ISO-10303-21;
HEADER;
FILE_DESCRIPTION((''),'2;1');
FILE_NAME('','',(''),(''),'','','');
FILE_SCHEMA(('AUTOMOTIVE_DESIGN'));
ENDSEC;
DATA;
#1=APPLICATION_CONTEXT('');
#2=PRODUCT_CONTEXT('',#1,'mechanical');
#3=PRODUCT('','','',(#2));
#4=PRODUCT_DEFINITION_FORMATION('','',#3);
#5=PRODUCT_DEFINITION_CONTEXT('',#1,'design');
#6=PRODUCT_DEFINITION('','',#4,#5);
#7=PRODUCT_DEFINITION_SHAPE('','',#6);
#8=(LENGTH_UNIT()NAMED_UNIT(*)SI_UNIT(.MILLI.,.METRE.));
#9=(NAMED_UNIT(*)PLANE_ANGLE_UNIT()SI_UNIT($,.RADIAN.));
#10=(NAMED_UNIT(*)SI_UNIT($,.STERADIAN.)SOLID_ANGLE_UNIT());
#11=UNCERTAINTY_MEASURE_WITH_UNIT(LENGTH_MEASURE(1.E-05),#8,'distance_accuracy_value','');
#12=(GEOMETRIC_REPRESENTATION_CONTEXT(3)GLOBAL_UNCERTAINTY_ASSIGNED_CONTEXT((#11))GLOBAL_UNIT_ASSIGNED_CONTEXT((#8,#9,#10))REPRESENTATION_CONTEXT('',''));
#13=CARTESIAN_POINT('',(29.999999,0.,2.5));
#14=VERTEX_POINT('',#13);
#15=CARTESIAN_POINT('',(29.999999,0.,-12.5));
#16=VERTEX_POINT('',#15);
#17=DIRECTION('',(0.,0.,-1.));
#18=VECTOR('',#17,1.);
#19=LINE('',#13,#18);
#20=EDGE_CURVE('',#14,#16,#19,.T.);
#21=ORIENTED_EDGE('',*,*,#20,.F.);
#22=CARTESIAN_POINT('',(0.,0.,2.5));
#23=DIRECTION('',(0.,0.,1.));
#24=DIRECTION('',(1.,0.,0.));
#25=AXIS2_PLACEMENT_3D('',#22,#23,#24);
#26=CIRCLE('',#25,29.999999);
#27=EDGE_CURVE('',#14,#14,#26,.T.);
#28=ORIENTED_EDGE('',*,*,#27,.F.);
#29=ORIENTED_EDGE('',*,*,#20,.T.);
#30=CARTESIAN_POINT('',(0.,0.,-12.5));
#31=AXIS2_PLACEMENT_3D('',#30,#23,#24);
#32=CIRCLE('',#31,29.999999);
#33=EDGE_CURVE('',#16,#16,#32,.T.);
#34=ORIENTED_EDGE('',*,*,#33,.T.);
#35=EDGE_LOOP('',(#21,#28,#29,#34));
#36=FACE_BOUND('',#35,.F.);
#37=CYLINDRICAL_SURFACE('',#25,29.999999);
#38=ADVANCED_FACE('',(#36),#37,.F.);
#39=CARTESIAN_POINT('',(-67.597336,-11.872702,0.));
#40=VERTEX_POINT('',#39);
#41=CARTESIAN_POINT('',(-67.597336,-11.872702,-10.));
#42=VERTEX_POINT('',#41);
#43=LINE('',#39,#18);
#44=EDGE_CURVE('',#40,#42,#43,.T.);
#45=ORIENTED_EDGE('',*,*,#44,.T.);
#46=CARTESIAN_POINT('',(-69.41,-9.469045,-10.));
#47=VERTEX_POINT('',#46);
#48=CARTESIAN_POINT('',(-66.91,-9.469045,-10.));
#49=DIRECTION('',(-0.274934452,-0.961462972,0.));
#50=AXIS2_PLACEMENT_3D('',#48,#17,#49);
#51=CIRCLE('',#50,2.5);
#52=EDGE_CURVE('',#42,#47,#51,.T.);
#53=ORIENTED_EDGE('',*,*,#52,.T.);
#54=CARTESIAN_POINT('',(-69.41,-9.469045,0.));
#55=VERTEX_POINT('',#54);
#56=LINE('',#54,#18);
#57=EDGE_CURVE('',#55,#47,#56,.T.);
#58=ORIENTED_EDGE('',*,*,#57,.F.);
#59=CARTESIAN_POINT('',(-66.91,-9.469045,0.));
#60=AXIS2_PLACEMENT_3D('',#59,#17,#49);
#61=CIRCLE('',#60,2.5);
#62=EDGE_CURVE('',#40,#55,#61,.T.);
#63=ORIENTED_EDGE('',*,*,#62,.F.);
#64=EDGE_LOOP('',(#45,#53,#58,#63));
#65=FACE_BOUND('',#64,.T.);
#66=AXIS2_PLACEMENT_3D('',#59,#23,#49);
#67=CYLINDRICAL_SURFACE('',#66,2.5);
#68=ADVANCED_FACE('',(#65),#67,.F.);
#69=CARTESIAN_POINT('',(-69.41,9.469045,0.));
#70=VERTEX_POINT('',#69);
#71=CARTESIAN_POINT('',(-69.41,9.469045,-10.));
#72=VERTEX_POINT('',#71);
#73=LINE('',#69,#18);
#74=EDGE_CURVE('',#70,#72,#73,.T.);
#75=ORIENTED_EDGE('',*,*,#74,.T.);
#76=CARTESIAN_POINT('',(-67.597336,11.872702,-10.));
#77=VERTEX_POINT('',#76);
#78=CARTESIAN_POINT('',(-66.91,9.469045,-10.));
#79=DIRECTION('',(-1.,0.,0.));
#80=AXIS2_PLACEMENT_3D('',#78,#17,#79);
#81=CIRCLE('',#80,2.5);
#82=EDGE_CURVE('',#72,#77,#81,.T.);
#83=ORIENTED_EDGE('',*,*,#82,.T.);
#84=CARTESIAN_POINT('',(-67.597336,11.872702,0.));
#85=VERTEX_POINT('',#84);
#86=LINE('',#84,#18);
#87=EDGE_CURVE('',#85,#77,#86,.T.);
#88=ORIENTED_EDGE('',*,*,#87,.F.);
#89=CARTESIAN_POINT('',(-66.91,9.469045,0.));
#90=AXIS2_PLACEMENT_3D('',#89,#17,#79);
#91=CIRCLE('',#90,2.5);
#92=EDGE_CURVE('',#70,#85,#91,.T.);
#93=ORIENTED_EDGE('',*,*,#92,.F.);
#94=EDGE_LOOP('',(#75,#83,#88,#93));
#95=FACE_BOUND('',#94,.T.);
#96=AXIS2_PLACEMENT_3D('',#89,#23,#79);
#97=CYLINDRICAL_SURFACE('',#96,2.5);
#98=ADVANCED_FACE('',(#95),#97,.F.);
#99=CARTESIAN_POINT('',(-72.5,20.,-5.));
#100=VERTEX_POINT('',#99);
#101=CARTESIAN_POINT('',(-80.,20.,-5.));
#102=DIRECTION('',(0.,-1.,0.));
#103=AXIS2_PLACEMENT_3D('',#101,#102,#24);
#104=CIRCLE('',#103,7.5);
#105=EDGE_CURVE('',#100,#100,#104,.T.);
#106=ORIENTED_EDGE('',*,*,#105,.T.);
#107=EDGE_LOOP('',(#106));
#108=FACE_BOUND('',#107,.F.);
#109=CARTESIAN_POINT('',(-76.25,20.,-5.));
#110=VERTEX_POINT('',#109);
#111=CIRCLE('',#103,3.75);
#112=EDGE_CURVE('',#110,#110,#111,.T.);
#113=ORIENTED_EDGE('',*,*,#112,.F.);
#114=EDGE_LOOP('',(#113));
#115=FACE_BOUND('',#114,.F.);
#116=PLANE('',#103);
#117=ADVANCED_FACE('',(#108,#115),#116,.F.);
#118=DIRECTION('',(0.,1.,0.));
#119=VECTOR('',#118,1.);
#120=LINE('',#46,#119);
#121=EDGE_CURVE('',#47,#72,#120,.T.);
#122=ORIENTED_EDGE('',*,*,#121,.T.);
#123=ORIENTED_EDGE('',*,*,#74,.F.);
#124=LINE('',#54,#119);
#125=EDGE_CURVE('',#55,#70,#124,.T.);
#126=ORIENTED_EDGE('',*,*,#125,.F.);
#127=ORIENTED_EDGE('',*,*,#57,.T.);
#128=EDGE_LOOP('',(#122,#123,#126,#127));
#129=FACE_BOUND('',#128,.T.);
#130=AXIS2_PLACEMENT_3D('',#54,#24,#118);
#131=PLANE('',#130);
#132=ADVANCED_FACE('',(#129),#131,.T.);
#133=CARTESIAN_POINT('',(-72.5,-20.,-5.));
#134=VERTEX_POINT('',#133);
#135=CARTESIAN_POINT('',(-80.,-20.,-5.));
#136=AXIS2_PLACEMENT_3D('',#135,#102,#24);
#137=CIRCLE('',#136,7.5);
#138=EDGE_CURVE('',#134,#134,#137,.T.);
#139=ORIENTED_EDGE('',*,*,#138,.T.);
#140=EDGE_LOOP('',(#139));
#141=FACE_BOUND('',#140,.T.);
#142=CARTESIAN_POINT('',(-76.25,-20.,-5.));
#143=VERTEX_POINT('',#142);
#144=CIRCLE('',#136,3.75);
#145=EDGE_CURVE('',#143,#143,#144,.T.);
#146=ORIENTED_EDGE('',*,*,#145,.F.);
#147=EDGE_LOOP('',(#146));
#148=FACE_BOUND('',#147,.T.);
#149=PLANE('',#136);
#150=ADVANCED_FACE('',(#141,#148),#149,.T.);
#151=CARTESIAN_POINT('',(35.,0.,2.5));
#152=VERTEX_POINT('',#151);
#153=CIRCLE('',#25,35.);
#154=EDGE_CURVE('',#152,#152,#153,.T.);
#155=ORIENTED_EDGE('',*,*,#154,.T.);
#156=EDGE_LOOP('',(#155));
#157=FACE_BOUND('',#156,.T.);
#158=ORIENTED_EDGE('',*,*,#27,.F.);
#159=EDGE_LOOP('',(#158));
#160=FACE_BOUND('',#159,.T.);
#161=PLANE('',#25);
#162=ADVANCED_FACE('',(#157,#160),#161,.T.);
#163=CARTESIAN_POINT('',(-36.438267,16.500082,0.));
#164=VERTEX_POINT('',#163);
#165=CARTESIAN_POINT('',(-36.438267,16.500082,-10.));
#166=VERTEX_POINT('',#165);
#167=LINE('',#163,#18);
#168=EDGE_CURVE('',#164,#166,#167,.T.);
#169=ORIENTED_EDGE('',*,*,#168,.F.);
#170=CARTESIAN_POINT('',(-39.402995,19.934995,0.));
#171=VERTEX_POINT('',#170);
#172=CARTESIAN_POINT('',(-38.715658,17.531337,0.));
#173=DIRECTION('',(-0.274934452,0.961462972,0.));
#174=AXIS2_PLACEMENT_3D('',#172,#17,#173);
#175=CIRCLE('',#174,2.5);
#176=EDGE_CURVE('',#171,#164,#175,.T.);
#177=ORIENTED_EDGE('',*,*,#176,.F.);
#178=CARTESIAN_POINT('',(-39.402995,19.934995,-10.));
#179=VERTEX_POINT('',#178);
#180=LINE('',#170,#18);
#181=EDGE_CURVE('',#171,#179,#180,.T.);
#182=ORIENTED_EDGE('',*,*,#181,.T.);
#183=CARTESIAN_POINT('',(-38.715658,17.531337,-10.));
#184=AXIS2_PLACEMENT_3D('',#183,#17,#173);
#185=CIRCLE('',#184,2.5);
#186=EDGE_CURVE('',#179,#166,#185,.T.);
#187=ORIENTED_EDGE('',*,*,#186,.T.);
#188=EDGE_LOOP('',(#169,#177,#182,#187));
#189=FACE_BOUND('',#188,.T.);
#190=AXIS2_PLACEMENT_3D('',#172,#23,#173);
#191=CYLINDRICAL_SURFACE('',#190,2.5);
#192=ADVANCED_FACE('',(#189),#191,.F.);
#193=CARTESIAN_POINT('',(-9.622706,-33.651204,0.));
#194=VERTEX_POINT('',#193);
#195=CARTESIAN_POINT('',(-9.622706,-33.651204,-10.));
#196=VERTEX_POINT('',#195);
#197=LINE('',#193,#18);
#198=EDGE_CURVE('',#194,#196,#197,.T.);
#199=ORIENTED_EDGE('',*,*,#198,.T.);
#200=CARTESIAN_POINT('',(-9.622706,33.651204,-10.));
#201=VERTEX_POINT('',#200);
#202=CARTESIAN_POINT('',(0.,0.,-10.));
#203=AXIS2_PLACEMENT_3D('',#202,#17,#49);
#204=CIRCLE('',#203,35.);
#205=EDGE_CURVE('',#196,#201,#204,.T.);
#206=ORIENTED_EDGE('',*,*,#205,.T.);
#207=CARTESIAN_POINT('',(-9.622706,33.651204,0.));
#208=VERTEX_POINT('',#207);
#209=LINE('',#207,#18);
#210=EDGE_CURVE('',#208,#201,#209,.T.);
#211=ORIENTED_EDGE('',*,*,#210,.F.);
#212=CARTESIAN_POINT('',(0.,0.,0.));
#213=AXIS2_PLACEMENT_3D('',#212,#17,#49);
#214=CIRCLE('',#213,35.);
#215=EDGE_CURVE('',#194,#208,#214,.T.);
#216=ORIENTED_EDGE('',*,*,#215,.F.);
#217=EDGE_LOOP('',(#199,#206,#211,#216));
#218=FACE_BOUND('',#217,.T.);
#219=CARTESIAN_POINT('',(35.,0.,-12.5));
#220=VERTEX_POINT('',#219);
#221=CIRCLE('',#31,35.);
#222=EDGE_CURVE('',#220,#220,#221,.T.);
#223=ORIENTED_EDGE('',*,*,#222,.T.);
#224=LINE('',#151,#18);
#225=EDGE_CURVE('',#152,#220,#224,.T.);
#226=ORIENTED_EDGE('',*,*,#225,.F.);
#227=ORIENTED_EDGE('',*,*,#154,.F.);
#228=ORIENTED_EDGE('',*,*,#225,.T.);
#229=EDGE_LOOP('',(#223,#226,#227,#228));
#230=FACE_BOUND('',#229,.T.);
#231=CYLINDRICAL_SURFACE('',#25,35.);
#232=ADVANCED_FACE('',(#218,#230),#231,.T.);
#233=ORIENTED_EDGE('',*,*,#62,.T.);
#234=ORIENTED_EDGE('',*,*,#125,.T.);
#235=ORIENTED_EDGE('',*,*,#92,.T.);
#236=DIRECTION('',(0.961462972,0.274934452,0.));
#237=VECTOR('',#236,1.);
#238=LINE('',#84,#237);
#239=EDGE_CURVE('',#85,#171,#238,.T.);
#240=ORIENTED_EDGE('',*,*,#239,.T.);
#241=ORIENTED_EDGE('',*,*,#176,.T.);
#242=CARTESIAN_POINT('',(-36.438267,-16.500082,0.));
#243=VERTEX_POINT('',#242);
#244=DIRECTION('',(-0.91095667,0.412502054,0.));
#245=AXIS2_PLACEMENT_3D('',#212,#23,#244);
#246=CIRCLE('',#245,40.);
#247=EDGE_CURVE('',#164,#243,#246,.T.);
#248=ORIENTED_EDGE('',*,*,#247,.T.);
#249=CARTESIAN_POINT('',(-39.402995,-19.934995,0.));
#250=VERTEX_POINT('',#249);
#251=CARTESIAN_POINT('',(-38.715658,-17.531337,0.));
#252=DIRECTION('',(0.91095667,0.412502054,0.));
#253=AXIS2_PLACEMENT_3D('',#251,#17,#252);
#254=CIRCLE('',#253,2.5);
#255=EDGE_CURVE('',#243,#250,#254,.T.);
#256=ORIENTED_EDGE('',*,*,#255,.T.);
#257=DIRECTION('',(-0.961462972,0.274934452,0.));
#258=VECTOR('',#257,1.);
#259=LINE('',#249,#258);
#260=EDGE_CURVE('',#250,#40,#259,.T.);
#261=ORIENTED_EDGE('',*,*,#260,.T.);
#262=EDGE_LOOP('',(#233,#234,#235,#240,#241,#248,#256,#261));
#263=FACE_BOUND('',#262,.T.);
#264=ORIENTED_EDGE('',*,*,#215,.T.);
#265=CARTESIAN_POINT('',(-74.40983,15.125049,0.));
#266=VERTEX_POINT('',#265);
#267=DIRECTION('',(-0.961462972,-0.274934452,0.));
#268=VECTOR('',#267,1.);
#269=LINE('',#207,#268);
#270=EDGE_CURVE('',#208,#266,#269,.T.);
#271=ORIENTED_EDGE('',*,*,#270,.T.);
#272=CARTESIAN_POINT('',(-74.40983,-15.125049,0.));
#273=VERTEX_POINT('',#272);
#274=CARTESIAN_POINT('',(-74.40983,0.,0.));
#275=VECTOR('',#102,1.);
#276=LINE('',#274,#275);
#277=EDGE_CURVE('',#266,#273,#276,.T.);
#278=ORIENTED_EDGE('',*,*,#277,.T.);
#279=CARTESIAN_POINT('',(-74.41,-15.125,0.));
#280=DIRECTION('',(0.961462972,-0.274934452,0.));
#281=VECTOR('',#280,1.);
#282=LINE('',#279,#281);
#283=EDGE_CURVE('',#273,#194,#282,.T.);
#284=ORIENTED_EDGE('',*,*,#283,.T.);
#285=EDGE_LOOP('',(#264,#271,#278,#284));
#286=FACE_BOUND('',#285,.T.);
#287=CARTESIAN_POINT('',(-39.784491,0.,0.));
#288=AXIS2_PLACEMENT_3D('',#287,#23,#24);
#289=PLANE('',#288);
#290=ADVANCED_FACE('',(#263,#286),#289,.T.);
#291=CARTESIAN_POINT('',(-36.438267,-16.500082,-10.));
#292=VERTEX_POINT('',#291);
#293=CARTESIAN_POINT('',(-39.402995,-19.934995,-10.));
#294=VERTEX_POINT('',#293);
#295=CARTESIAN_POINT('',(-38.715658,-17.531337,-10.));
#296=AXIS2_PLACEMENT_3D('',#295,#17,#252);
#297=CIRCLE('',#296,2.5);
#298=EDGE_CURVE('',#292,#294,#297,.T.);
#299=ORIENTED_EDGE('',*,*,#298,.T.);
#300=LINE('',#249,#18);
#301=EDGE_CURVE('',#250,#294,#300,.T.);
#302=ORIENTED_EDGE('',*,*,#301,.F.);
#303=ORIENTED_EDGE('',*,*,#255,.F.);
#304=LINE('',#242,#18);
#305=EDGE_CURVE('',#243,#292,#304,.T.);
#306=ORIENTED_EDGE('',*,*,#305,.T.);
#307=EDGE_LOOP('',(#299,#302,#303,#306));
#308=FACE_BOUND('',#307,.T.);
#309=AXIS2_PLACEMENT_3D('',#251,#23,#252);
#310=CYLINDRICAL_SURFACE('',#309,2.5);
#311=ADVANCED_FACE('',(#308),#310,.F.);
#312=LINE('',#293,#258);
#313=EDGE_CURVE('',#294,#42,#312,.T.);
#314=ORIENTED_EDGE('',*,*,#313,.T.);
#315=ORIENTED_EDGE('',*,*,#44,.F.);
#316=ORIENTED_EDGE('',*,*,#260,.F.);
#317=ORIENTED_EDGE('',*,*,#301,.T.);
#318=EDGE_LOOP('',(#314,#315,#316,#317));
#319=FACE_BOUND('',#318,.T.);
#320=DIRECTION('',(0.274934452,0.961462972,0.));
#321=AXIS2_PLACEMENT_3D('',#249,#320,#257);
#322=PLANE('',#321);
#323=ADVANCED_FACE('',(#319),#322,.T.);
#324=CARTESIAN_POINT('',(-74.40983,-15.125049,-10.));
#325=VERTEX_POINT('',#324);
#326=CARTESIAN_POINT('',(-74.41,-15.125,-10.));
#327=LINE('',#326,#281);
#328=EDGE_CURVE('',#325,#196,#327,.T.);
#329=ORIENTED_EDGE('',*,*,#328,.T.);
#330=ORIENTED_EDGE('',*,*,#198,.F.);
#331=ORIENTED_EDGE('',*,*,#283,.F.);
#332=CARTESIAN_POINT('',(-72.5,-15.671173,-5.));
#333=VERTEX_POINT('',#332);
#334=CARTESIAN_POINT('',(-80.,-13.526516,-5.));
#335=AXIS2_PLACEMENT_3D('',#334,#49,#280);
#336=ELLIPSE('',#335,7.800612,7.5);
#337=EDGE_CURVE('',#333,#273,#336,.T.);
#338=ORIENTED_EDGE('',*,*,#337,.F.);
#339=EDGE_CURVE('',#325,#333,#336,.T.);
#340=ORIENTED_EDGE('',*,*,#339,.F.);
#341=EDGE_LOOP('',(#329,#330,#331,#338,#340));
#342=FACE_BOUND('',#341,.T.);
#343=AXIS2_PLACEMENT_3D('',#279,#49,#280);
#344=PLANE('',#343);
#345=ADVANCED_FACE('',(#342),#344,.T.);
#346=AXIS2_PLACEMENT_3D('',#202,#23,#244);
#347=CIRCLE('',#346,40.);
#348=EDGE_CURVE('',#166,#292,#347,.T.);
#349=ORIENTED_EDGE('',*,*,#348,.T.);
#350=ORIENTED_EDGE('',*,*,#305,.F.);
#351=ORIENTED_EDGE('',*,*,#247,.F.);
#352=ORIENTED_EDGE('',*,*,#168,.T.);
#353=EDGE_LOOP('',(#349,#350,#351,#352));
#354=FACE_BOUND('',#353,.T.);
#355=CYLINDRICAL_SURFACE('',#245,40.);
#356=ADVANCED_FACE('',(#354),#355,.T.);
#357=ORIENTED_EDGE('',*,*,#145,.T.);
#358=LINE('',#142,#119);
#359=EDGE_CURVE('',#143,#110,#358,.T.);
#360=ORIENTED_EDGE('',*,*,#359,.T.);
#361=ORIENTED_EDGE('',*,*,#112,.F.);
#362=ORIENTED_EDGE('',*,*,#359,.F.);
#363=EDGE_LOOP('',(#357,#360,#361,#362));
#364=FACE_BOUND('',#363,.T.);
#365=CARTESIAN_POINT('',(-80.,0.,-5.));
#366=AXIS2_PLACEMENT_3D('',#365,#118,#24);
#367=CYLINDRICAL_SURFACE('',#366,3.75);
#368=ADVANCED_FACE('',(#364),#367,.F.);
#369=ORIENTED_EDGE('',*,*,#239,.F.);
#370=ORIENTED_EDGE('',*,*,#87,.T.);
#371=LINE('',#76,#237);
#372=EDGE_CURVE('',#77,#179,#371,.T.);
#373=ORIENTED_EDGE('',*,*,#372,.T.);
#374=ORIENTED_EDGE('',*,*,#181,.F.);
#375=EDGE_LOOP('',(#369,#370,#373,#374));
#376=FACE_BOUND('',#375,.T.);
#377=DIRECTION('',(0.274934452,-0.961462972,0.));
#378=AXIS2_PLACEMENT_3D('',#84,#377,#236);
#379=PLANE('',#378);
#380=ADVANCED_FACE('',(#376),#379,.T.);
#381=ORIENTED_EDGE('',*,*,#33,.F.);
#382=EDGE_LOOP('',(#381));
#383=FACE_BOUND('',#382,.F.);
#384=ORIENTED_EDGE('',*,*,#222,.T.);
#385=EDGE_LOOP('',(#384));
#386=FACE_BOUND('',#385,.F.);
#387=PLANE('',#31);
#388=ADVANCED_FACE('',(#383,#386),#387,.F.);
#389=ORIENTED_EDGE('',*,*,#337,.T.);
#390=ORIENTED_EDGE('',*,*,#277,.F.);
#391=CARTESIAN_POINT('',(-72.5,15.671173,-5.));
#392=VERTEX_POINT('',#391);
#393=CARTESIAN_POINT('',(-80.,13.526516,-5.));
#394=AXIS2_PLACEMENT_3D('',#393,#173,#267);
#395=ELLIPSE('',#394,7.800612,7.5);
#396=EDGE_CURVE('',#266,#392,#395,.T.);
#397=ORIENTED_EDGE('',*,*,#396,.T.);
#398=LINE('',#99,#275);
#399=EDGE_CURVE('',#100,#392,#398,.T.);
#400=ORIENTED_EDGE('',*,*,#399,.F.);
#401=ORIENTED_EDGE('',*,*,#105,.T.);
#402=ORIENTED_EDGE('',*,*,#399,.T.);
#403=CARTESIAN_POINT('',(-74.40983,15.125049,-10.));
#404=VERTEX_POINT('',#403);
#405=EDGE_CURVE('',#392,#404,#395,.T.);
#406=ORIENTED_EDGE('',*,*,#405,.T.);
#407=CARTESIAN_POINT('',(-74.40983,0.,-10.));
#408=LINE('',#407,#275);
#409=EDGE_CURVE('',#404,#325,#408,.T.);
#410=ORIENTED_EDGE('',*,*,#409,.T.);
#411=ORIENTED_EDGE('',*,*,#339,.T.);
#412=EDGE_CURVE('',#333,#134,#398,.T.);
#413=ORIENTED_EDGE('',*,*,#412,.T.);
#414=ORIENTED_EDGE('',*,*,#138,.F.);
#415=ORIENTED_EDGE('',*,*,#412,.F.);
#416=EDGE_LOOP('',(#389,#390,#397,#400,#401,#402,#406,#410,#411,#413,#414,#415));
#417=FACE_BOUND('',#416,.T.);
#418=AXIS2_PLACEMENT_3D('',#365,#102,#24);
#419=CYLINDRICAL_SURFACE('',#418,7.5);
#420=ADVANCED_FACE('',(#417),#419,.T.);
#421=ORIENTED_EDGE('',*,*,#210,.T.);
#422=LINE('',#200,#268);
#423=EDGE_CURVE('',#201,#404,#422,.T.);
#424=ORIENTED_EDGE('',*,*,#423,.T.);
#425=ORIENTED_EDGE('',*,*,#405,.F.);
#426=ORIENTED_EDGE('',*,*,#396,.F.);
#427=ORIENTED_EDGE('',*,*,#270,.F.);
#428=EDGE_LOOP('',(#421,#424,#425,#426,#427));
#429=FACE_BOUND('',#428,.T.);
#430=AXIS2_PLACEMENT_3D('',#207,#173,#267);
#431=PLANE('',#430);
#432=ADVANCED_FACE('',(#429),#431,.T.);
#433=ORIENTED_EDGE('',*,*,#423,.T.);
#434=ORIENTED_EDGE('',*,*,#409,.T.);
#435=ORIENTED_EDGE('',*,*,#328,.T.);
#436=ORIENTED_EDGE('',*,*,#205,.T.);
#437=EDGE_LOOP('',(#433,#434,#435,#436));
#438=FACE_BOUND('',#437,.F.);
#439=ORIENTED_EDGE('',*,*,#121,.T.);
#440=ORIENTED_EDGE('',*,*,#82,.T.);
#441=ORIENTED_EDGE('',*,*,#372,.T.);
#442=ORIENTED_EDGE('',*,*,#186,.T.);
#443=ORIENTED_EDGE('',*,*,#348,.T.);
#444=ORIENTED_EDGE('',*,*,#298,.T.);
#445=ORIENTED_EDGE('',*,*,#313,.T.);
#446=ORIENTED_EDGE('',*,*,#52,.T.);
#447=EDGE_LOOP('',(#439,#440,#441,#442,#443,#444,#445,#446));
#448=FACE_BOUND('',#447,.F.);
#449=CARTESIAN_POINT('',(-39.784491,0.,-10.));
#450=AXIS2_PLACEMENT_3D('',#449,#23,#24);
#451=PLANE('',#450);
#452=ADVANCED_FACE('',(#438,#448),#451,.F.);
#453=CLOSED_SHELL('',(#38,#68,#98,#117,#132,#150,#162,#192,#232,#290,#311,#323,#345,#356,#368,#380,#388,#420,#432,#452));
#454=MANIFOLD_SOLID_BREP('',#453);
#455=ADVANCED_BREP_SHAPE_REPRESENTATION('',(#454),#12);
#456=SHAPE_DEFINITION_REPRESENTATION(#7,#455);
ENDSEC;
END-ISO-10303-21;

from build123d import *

# Parameters (mm, degrees)
F2_R     = 35
F2_R_2   = 29.9999993294
F3_DEPTH = 15
F4_R     = 7.5
F4_R_2   = 3.75
F5_DEPTH = 20
F6_DEPTH = 10


with BuildPart() as f3:
    # F2 (on offset) → F3 (new body)
    with BuildSketch(Plane.XY.offset(2.5)):
        Circle(F2_R)
        Circle(F2_R_2, mode=Mode.SUBTRACT)
    extrude(amount=-F3_DEPTH)



with BuildPart() as f5:
    # F4 (on Front) → F5 (new body, symmetric)
    with BuildSketch(Plane.XZ):
        with Locations((-80, -5)):
            Circle(F4_R)
        with Locations((-80, -5)):
            Circle(F4_R_2, mode=Mode.SUBTRACT)
    extrude(amount=F5_DEPTH, both=True)


with BuildPart() as f3_1:
    add(f3.part)

    add(f5.part)  # F6 merges F5
    # F0 (on Top) → F6 (join)
    with BuildSketch(Plane.XY):
        with BuildLine():
            ThreePointArc((-9.6227058053, -33.6512040347), (-35, 0), (-9.6227058053, 33.6512040347))
            Line((-9.6227058053, 33.6512040347), (-74.41, 15.125))
            Line((-74.41, 15.125), (-74.41, -15.125))
            Line((-74.41, -15.125), (-9.6227058053, -33.6512040347))
        make_face()
        with BuildLine():
            ThreePointArc((-39.4029946243, 19.9349947238), (-36.8231138473, 19.164822755), (-36.4382668191, 16.5000821579))
            ThreePointArc((-36.4382668191, 16.5000821579), (-40, 0), (-36.4382668191, -16.5000821579))
            ThreePointArc((-36.4382668191, -16.5000821579), (-36.8231138473, -19.164822755), (-39.4029946243, -19.9349947238))
            Line((-39.4029946243, -19.9349947238), (-67.597336129, -11.8727021118))
            ThreePointArc((-67.597336129, -11.8727021118), (-68.9060386172, -10.9743120453), (-69.41, -9.4690446807))
            Line((-69.41, -9.4690446807), (-69.41, 9.4690446807))
            ThreePointArc((-69.41, 9.4690446807), (-68.9060386172, 10.9743120453), (-67.597336129, 11.8727021118))
            Line((-67.597336129, 11.8727021118), (-39.4029946243, 19.9349947238))
        make_face(mode=Mode.SUBTRACT)
    extrude(amount=-F6_DEPTH)


solid = f3_1.part
